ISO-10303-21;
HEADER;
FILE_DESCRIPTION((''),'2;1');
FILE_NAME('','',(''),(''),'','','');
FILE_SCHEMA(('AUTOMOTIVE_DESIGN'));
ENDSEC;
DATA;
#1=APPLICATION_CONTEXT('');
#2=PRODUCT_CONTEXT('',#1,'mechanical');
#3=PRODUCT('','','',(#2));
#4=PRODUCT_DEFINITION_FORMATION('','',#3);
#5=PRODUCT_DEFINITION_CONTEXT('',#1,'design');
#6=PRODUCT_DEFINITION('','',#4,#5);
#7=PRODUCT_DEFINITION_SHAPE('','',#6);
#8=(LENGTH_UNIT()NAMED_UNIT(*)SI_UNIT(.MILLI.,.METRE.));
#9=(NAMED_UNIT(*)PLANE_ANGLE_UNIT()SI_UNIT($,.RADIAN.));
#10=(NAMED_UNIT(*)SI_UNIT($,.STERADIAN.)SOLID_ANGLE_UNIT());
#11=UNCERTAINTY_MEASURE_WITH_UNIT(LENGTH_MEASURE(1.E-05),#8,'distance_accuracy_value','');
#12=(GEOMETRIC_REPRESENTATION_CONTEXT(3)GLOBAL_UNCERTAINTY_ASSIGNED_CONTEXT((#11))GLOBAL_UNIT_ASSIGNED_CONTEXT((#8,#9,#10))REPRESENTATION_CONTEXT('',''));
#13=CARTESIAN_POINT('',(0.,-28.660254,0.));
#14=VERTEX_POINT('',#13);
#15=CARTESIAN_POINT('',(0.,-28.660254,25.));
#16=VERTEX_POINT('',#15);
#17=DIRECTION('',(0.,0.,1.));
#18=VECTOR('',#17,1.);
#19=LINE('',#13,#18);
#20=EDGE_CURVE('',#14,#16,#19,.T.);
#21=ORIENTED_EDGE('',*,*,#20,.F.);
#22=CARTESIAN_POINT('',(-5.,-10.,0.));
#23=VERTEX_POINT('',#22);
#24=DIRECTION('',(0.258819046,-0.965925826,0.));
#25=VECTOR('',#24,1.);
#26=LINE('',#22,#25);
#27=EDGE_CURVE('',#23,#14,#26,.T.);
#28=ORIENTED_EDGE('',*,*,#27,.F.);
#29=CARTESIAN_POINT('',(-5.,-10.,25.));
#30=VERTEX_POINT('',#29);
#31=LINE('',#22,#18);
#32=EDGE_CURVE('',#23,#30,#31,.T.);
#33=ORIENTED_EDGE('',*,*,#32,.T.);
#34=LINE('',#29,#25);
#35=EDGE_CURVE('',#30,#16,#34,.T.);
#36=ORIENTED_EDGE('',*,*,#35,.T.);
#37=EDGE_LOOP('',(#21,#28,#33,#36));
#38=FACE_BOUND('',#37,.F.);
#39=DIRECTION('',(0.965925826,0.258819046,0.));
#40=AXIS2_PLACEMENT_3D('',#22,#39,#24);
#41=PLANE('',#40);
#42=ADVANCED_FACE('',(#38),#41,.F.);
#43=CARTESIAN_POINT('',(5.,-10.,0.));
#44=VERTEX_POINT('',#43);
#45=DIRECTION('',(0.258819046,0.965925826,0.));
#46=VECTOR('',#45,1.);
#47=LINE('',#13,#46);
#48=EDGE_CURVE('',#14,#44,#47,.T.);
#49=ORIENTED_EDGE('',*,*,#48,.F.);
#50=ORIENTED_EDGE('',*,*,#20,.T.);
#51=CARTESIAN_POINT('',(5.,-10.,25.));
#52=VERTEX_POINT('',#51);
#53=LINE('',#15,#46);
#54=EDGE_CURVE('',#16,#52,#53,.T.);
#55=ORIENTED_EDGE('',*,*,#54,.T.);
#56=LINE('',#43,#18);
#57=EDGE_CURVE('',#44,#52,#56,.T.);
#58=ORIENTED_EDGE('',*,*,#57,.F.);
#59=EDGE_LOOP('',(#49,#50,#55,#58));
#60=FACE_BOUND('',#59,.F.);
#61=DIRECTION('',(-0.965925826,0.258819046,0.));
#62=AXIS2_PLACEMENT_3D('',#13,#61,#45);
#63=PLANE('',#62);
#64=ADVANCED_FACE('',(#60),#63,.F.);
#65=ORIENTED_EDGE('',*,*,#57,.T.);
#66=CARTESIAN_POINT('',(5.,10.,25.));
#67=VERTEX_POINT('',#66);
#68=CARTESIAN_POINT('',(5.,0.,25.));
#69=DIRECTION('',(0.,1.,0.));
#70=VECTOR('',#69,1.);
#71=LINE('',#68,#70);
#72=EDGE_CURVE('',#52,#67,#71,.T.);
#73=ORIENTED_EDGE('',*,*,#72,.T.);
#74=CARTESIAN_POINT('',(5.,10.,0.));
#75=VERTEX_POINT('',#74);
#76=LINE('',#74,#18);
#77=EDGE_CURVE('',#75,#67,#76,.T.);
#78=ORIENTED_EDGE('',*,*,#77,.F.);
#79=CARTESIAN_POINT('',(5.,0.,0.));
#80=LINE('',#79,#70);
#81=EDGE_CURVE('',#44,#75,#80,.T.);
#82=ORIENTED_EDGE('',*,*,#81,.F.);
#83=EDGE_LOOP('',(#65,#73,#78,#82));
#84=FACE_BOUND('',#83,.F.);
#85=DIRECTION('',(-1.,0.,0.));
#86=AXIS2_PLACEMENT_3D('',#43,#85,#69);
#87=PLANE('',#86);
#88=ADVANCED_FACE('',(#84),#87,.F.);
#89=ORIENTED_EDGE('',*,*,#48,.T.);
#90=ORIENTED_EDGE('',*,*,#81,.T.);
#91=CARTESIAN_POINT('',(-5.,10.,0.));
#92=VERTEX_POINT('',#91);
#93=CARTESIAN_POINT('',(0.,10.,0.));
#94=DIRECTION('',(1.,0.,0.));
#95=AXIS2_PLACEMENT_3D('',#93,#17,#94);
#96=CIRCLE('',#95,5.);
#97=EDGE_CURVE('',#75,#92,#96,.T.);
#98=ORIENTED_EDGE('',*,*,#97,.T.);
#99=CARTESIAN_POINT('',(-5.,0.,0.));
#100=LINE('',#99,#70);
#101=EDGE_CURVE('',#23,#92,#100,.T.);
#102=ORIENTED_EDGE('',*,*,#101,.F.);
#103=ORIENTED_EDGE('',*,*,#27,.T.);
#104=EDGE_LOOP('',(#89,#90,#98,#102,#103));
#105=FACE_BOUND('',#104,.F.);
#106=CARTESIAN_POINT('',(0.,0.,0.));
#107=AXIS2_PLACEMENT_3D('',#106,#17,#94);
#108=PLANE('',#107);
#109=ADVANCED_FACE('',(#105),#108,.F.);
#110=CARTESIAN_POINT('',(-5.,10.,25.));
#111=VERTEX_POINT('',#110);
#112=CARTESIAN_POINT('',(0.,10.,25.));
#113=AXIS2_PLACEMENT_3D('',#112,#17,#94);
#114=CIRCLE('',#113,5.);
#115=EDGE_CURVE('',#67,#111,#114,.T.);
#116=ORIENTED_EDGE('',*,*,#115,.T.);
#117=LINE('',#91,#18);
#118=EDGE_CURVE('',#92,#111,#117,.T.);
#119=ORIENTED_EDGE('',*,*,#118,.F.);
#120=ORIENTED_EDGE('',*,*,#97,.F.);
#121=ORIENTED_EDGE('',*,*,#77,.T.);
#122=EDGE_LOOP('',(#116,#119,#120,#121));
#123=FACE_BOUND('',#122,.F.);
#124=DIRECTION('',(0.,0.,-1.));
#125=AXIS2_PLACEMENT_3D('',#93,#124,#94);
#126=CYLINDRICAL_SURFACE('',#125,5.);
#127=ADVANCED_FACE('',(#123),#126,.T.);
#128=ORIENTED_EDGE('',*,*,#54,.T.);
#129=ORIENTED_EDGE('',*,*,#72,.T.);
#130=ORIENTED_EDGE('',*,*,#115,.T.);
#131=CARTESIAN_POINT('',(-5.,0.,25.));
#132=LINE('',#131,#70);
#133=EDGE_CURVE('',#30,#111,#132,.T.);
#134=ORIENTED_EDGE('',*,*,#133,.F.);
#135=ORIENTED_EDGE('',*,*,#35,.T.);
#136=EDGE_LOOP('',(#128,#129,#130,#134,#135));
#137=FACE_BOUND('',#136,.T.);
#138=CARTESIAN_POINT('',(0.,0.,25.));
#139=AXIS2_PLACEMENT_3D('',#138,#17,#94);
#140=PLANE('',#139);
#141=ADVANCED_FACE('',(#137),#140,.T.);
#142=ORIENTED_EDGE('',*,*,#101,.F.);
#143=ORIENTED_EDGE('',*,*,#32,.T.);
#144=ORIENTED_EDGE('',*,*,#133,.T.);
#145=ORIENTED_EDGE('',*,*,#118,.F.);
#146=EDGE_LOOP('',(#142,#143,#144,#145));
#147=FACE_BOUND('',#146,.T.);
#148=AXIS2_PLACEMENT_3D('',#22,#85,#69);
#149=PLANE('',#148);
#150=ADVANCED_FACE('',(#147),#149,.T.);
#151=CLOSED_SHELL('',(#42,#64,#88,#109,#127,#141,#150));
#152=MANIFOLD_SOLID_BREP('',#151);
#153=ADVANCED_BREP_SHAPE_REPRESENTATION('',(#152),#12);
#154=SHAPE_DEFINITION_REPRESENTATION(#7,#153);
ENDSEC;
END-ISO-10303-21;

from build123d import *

# Parameters (mm, degrees)
F0_W     = 10
F0_H     = 20
F1_DEPTH = 25


with BuildPart() as f1:
    # F0 (on Top) → F1 (new body)
    with BuildSketch(Plane.XY):
        Rectangle(F0_W, F0_H)
        Polygon((0, -28.660254), (5, -10), (-5, -10), align=None)
        with BuildLine():
            Line((-5, 10), (5, 10))
            ThreePointArc((5, 10), (0, 15), (-5, 10))
        make_face()
    extrude(amount=F1_DEPTH)


solid = f1.part
